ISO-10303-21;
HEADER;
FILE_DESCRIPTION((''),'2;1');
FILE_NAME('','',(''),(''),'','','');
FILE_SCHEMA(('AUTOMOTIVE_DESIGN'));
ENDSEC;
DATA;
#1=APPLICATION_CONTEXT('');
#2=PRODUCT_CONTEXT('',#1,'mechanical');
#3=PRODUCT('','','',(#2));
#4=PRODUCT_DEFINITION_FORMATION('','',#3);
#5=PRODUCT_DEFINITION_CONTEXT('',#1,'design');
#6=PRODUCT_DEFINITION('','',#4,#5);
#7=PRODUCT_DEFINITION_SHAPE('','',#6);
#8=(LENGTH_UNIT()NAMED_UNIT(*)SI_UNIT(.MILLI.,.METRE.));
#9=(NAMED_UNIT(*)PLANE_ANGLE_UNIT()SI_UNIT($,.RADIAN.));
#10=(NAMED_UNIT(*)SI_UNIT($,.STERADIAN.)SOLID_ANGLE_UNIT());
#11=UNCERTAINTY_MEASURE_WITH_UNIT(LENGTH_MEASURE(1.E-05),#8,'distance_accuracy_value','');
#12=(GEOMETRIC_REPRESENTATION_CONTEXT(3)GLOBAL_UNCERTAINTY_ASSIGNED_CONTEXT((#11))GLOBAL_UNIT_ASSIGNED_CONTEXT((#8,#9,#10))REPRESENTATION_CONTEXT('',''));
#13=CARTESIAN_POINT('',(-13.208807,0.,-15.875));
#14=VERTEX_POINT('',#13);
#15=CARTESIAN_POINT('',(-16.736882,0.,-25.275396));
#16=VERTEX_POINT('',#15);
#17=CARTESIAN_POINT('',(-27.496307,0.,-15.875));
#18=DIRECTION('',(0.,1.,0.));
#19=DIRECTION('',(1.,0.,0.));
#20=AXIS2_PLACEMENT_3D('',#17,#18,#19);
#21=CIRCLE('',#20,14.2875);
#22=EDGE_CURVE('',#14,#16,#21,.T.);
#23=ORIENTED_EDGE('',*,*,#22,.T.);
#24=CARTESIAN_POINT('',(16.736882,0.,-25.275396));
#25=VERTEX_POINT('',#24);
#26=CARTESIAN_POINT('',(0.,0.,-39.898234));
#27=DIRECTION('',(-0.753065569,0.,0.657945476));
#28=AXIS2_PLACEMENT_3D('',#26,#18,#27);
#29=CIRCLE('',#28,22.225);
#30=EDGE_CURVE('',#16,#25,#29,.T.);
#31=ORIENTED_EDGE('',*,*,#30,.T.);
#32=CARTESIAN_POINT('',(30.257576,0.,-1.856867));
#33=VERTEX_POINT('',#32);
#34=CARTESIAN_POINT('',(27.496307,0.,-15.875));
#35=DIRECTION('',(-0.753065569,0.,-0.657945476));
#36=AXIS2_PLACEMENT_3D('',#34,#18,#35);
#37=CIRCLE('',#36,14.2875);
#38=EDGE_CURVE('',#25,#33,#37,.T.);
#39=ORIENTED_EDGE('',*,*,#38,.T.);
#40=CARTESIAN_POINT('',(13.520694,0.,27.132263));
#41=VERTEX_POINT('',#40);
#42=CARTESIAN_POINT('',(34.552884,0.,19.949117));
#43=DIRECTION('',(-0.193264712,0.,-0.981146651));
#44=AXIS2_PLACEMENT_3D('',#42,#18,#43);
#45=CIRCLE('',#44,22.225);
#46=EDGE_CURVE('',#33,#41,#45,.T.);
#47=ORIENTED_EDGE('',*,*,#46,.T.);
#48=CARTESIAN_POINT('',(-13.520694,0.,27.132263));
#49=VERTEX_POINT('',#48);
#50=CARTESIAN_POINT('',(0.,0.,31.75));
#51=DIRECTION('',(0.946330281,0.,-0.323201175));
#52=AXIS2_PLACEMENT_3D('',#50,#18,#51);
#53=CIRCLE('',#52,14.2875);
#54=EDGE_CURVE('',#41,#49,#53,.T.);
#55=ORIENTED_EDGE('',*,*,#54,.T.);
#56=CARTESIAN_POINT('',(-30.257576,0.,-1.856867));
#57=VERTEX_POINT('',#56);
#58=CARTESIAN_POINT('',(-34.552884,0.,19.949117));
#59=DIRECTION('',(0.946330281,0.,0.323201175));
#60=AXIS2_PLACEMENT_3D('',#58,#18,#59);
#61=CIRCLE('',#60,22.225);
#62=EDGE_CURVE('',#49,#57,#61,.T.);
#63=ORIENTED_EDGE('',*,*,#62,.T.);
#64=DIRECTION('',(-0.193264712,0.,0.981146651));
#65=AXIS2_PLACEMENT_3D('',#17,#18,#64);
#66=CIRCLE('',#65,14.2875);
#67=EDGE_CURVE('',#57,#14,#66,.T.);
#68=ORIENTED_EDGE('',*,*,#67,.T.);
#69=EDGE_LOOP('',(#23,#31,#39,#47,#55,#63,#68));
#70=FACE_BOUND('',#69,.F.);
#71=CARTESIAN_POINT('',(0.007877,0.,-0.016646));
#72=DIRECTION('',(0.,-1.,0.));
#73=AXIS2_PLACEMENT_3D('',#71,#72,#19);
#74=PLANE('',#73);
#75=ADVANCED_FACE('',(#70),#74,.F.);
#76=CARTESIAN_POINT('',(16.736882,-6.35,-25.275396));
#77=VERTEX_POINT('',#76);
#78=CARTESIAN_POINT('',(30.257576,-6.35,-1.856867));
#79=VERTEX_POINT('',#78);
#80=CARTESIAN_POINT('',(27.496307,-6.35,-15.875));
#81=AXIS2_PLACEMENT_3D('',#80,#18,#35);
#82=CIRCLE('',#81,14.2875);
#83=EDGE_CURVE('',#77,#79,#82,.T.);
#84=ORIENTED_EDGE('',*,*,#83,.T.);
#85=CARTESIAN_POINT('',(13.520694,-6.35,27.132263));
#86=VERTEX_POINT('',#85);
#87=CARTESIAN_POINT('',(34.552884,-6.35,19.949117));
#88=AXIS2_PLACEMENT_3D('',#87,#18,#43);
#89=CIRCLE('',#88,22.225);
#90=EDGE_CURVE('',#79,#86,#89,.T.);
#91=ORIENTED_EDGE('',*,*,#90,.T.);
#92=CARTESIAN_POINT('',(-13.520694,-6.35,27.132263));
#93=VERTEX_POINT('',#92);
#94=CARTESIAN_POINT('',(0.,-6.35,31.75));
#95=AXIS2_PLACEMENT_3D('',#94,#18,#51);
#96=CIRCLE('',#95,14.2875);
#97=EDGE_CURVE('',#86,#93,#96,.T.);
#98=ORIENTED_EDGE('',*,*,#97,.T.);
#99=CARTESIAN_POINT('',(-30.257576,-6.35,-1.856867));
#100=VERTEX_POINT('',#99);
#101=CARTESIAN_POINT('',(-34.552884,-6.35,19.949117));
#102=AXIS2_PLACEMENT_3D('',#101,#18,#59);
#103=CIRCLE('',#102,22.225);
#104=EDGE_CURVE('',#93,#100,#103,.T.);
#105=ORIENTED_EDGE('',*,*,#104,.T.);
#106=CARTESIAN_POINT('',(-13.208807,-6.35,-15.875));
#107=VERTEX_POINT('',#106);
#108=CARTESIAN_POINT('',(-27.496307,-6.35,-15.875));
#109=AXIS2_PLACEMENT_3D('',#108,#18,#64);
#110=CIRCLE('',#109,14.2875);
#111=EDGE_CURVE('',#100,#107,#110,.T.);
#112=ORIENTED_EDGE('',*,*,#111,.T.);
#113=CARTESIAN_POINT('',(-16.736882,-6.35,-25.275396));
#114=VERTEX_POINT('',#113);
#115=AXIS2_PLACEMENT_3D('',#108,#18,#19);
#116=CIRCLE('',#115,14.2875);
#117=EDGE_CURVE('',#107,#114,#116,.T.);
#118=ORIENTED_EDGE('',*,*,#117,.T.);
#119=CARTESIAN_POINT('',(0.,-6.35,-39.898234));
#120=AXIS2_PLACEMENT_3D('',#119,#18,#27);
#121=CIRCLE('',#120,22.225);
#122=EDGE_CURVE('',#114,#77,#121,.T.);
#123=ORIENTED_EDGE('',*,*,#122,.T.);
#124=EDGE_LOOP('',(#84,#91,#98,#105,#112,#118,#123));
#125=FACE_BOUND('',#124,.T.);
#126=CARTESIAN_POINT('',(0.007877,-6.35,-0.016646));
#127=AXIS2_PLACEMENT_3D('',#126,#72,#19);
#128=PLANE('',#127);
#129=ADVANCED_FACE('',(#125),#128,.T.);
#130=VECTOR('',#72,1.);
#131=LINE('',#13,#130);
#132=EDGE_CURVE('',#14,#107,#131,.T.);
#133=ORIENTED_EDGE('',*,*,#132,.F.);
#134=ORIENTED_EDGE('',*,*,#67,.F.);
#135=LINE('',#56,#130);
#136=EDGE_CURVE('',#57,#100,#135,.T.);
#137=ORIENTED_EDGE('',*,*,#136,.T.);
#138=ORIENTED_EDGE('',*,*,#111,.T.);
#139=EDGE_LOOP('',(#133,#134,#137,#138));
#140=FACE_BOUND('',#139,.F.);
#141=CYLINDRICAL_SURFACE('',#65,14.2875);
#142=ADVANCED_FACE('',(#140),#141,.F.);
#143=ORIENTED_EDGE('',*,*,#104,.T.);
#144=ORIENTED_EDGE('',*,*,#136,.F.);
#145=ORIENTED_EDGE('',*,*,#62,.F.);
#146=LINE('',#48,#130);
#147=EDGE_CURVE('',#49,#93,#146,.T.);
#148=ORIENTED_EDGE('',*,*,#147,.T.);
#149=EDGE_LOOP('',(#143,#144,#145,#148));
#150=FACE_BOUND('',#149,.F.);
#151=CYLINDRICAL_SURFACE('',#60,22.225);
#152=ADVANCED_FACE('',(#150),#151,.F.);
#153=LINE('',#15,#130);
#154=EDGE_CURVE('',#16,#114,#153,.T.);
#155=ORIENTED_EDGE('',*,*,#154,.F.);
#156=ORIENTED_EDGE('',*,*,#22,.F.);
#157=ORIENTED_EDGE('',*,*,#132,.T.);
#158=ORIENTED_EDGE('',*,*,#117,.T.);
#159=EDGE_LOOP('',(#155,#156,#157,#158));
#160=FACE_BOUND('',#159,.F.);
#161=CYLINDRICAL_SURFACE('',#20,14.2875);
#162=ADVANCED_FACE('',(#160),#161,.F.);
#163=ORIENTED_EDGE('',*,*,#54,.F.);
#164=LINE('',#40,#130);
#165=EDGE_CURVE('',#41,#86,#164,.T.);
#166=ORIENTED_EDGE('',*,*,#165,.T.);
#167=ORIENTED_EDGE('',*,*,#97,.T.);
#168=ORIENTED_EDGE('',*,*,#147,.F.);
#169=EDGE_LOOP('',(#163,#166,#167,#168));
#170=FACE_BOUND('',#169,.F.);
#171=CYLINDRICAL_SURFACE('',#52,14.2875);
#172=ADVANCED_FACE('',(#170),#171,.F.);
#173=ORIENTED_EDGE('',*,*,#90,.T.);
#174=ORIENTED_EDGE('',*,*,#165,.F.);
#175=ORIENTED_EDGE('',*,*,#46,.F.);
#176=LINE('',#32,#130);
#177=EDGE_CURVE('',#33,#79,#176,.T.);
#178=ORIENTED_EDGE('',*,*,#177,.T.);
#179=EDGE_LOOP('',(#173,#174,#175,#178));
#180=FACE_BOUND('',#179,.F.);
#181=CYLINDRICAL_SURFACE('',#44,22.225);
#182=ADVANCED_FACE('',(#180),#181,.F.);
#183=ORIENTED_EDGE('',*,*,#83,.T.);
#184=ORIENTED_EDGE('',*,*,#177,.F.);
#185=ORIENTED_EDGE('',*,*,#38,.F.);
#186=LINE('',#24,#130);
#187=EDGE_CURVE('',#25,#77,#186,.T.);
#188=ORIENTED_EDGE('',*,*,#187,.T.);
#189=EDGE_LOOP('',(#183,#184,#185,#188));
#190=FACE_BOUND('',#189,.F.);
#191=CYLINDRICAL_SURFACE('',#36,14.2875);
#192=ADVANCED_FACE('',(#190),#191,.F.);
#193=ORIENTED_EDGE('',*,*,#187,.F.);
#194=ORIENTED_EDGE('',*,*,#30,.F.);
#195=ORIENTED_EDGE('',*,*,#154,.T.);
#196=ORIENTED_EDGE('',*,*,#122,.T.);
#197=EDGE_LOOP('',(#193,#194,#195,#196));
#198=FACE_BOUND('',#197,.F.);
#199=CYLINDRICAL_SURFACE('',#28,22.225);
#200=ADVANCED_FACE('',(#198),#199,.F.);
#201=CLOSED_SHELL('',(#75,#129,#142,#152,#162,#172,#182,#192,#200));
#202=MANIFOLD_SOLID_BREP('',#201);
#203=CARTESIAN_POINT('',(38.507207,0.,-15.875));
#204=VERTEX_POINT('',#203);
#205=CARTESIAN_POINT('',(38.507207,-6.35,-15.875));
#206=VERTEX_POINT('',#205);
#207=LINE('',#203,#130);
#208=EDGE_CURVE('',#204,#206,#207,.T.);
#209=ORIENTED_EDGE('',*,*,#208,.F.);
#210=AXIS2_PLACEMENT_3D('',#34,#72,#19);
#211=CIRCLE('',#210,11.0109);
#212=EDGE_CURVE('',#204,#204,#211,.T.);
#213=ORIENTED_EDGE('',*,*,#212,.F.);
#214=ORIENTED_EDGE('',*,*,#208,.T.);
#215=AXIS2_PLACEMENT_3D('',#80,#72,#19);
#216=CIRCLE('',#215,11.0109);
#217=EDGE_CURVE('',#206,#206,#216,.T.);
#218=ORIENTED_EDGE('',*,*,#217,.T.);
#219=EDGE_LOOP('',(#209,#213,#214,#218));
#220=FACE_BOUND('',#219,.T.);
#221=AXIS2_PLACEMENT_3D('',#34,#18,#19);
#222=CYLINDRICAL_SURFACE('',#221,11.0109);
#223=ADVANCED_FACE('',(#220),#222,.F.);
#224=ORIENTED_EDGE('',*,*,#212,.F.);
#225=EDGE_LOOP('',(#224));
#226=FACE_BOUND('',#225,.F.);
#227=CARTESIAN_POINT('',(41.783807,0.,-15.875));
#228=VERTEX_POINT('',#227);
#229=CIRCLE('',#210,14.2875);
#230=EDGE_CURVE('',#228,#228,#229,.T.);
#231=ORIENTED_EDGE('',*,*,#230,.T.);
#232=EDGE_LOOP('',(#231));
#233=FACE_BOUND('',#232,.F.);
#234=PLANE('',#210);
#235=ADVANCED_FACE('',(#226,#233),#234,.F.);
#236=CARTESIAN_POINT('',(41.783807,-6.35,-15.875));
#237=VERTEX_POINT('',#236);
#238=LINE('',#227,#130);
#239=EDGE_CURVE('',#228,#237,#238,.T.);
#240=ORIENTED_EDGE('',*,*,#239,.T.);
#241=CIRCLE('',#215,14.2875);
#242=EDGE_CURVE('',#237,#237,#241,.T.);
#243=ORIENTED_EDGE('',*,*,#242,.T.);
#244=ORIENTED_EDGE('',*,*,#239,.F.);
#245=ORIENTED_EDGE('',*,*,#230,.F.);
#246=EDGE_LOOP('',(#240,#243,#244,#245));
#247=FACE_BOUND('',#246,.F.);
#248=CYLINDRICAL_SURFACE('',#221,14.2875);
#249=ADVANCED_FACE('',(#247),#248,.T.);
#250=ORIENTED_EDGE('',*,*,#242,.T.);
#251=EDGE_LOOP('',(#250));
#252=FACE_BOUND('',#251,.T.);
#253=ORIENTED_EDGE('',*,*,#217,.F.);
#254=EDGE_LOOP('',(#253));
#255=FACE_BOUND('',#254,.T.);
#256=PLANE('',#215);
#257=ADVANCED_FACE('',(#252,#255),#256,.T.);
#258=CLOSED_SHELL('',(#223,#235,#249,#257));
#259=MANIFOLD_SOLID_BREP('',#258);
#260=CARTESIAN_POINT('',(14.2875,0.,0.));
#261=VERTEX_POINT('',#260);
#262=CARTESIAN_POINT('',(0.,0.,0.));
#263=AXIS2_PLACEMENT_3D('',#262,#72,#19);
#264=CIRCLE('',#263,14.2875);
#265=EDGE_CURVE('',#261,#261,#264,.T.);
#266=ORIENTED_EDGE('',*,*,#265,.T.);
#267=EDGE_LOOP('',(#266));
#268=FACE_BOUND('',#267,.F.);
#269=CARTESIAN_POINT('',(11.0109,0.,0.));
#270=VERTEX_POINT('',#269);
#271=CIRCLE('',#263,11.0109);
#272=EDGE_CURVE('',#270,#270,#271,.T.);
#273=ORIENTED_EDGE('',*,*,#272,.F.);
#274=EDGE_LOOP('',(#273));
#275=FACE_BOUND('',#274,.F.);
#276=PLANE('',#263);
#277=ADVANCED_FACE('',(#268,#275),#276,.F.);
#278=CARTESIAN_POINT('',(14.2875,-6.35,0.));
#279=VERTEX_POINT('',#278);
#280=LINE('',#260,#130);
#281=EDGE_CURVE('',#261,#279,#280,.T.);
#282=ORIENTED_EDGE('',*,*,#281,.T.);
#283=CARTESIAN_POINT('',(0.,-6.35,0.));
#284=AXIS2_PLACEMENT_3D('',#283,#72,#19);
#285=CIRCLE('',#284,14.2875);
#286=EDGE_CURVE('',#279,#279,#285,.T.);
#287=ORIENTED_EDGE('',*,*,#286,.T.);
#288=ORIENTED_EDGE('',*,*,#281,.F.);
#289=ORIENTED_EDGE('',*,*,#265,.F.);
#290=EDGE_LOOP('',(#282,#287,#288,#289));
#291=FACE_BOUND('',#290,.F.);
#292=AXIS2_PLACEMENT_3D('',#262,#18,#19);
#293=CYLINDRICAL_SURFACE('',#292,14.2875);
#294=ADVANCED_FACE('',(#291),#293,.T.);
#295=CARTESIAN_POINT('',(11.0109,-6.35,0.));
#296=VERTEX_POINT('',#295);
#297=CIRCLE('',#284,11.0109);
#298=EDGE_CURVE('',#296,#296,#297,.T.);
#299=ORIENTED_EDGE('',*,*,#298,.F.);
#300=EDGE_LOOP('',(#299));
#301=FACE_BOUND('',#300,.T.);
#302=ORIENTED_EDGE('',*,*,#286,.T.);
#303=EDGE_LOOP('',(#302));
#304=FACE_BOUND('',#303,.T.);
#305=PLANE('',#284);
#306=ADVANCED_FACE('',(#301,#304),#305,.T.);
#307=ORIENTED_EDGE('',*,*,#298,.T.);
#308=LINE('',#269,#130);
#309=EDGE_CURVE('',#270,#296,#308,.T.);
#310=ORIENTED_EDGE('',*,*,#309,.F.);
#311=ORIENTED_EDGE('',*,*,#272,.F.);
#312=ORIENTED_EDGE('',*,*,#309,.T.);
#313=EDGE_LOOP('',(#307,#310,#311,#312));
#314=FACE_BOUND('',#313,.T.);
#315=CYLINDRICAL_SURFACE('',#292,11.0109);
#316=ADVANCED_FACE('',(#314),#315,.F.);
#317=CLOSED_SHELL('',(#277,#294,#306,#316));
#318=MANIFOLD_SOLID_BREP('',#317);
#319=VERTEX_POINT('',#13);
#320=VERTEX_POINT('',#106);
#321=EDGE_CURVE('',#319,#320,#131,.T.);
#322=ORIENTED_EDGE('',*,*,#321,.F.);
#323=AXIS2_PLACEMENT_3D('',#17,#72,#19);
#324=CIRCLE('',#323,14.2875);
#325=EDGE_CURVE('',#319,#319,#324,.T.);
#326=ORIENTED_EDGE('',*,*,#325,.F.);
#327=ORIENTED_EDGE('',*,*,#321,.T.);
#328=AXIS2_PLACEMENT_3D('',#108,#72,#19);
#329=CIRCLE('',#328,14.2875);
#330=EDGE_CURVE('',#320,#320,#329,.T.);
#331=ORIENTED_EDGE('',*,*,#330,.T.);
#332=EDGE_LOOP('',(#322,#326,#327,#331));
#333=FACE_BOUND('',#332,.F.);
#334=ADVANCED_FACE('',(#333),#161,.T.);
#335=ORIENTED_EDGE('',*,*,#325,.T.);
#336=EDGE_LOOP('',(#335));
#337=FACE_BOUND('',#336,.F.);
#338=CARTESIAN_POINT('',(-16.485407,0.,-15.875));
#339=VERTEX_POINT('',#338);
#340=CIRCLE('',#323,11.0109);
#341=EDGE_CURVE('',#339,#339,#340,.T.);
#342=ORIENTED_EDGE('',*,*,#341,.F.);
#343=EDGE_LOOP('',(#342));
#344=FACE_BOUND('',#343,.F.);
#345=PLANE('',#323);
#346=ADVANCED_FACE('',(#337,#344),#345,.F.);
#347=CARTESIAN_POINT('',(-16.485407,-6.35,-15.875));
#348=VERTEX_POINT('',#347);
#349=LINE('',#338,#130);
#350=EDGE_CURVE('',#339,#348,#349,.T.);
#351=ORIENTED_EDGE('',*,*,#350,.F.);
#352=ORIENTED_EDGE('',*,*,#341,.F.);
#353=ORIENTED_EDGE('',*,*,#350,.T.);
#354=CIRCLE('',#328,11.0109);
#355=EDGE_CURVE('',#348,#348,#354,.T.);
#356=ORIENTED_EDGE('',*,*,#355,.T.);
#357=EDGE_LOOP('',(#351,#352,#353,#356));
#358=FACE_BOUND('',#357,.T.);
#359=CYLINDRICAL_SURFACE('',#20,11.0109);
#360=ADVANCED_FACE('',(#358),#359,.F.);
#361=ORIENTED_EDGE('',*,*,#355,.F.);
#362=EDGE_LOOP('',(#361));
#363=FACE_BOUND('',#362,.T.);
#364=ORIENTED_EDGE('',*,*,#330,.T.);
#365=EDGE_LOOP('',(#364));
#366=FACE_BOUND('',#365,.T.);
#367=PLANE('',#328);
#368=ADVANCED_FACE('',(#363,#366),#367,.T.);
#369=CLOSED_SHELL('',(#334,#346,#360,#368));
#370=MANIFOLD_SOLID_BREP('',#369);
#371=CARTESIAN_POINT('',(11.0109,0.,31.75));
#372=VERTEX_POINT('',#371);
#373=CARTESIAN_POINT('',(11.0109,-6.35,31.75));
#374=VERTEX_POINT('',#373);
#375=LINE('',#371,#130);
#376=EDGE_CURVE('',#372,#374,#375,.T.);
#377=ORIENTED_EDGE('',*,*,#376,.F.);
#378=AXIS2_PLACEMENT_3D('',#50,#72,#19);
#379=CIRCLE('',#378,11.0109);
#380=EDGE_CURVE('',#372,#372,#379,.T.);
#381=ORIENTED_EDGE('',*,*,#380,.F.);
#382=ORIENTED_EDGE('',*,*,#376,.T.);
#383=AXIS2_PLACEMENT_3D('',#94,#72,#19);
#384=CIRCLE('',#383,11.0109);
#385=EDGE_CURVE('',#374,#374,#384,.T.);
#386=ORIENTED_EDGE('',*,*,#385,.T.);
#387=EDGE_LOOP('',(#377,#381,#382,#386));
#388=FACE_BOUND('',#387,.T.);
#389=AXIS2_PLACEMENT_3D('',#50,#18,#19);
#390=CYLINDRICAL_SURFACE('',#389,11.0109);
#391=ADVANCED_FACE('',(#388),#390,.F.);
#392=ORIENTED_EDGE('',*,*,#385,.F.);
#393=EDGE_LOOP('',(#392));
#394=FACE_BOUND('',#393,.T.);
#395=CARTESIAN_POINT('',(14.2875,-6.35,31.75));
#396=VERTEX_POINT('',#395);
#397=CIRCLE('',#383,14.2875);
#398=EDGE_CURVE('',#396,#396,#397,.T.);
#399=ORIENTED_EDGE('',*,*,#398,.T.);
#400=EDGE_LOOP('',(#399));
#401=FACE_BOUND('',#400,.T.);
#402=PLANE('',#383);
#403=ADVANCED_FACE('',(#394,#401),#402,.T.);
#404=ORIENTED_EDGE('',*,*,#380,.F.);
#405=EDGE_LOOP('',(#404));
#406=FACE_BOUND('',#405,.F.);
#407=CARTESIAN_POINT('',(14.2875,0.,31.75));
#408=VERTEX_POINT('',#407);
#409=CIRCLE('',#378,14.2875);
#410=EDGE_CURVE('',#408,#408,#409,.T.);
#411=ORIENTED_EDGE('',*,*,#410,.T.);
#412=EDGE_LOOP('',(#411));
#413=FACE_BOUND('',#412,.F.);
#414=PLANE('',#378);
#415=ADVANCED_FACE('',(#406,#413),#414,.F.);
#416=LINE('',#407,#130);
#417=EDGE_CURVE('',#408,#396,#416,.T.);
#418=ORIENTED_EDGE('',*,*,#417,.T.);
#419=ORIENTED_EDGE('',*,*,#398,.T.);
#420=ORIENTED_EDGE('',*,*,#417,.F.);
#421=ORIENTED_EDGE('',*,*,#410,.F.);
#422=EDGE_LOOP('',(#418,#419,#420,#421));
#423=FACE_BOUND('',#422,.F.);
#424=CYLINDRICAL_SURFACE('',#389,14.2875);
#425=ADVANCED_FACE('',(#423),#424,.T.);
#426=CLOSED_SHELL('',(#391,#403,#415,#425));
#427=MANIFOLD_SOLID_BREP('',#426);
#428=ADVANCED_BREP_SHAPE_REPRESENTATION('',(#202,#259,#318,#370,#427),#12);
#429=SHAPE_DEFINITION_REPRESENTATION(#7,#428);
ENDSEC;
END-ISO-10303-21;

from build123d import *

# Parameters (mm, degrees)
F2_DEPTH = 6.35
F0_R     = 14.2875
F0_R_2   = 11.0109


with BuildPart() as f2:
    # F1 (on Front) → F2 (new body)
    with BuildSketch(Plane.XZ):
        with BuildLine():
            ThreePointArc((-13.5206938879, 27.1322632123), (-15.305469781, 8.8366170981), (-30.257576148, -1.8568672225))
            ThreePointArc((-30.257576148, -1.8568672225), (-18.4221394691, -4.8390520266), (-13.2088065702, -15.875))
            ThreePointArc((-13.2088065702, -15.875), (-14.1198733557, -20.8953277493), (-16.7368822601, -25.2753959899))
            ThreePointArc((-16.7368822601, -25.2753959899), (0, -17.6732341963), (16.7368822601, -25.2753959899))
            ThreePointArc((16.7368822601, -25.2753959899), (15.1229686136, -8.73125), (30.257576148, -1.8568672225))
            ThreePointArc((30.257576148, -1.8568672225), (15.305469781, 8.8366170981), (13.5206938879, 27.1322632123))
            ThreePointArc((13.5206938879, 27.1322632123), (0, 17.4625), (-13.5206938879, 27.1322632123))
        make_face()
    extrude(amount=F2_DEPTH)


with BuildPart() as f2b:
    # F0 (on Front) → F2, piece 2 (new body)
    with BuildSketch(Plane.XZ):
        with Locations((27.4963065702, -15.875)):
            Circle(F0_R)
        with Locations((27.4963065702, -15.875)):
            Circle(F0_R_2, mode=Mode.SUBTRACT)
    extrude(amount=F2_DEPTH)


with BuildPart() as f2c:
    # F0 (on Front) → F2, piece 3 (new body)
    with BuildSketch(Plane.XZ):
        Circle(F0_R)
        Circle(F0_R_2, mode=Mode.SUBTRACT)
    extrude(amount=F2_DEPTH)


with BuildPart() as f2d:
    # F0 (on Front) → F2, piece 4 (new body)
    with BuildSketch(Plane.XZ):
        with Locations((-27.4963065702, -15.875)):
            Circle(F0_R)
        with Locations((-27.4963065702, -15.875)):
            Circle(F0_R_2, mode=Mode.SUBTRACT)
    extrude(amount=F2_DEPTH)


with BuildPart() as f2e:
    # F0 (on Front) → F2, piece 5 (new body)
    with BuildSketch(Plane.XZ):
        with Locations((0, 31.75)):
            Circle(F0_R)
        with Locations((0, 31.75)):
            Circle(F0_R_2, mode=Mode.SUBTRACT)
    extrude(amount=F2_DEPTH)


solid = Compound([f2.part, f2b.part, f2c.part, f2d.part, f2e.part])
